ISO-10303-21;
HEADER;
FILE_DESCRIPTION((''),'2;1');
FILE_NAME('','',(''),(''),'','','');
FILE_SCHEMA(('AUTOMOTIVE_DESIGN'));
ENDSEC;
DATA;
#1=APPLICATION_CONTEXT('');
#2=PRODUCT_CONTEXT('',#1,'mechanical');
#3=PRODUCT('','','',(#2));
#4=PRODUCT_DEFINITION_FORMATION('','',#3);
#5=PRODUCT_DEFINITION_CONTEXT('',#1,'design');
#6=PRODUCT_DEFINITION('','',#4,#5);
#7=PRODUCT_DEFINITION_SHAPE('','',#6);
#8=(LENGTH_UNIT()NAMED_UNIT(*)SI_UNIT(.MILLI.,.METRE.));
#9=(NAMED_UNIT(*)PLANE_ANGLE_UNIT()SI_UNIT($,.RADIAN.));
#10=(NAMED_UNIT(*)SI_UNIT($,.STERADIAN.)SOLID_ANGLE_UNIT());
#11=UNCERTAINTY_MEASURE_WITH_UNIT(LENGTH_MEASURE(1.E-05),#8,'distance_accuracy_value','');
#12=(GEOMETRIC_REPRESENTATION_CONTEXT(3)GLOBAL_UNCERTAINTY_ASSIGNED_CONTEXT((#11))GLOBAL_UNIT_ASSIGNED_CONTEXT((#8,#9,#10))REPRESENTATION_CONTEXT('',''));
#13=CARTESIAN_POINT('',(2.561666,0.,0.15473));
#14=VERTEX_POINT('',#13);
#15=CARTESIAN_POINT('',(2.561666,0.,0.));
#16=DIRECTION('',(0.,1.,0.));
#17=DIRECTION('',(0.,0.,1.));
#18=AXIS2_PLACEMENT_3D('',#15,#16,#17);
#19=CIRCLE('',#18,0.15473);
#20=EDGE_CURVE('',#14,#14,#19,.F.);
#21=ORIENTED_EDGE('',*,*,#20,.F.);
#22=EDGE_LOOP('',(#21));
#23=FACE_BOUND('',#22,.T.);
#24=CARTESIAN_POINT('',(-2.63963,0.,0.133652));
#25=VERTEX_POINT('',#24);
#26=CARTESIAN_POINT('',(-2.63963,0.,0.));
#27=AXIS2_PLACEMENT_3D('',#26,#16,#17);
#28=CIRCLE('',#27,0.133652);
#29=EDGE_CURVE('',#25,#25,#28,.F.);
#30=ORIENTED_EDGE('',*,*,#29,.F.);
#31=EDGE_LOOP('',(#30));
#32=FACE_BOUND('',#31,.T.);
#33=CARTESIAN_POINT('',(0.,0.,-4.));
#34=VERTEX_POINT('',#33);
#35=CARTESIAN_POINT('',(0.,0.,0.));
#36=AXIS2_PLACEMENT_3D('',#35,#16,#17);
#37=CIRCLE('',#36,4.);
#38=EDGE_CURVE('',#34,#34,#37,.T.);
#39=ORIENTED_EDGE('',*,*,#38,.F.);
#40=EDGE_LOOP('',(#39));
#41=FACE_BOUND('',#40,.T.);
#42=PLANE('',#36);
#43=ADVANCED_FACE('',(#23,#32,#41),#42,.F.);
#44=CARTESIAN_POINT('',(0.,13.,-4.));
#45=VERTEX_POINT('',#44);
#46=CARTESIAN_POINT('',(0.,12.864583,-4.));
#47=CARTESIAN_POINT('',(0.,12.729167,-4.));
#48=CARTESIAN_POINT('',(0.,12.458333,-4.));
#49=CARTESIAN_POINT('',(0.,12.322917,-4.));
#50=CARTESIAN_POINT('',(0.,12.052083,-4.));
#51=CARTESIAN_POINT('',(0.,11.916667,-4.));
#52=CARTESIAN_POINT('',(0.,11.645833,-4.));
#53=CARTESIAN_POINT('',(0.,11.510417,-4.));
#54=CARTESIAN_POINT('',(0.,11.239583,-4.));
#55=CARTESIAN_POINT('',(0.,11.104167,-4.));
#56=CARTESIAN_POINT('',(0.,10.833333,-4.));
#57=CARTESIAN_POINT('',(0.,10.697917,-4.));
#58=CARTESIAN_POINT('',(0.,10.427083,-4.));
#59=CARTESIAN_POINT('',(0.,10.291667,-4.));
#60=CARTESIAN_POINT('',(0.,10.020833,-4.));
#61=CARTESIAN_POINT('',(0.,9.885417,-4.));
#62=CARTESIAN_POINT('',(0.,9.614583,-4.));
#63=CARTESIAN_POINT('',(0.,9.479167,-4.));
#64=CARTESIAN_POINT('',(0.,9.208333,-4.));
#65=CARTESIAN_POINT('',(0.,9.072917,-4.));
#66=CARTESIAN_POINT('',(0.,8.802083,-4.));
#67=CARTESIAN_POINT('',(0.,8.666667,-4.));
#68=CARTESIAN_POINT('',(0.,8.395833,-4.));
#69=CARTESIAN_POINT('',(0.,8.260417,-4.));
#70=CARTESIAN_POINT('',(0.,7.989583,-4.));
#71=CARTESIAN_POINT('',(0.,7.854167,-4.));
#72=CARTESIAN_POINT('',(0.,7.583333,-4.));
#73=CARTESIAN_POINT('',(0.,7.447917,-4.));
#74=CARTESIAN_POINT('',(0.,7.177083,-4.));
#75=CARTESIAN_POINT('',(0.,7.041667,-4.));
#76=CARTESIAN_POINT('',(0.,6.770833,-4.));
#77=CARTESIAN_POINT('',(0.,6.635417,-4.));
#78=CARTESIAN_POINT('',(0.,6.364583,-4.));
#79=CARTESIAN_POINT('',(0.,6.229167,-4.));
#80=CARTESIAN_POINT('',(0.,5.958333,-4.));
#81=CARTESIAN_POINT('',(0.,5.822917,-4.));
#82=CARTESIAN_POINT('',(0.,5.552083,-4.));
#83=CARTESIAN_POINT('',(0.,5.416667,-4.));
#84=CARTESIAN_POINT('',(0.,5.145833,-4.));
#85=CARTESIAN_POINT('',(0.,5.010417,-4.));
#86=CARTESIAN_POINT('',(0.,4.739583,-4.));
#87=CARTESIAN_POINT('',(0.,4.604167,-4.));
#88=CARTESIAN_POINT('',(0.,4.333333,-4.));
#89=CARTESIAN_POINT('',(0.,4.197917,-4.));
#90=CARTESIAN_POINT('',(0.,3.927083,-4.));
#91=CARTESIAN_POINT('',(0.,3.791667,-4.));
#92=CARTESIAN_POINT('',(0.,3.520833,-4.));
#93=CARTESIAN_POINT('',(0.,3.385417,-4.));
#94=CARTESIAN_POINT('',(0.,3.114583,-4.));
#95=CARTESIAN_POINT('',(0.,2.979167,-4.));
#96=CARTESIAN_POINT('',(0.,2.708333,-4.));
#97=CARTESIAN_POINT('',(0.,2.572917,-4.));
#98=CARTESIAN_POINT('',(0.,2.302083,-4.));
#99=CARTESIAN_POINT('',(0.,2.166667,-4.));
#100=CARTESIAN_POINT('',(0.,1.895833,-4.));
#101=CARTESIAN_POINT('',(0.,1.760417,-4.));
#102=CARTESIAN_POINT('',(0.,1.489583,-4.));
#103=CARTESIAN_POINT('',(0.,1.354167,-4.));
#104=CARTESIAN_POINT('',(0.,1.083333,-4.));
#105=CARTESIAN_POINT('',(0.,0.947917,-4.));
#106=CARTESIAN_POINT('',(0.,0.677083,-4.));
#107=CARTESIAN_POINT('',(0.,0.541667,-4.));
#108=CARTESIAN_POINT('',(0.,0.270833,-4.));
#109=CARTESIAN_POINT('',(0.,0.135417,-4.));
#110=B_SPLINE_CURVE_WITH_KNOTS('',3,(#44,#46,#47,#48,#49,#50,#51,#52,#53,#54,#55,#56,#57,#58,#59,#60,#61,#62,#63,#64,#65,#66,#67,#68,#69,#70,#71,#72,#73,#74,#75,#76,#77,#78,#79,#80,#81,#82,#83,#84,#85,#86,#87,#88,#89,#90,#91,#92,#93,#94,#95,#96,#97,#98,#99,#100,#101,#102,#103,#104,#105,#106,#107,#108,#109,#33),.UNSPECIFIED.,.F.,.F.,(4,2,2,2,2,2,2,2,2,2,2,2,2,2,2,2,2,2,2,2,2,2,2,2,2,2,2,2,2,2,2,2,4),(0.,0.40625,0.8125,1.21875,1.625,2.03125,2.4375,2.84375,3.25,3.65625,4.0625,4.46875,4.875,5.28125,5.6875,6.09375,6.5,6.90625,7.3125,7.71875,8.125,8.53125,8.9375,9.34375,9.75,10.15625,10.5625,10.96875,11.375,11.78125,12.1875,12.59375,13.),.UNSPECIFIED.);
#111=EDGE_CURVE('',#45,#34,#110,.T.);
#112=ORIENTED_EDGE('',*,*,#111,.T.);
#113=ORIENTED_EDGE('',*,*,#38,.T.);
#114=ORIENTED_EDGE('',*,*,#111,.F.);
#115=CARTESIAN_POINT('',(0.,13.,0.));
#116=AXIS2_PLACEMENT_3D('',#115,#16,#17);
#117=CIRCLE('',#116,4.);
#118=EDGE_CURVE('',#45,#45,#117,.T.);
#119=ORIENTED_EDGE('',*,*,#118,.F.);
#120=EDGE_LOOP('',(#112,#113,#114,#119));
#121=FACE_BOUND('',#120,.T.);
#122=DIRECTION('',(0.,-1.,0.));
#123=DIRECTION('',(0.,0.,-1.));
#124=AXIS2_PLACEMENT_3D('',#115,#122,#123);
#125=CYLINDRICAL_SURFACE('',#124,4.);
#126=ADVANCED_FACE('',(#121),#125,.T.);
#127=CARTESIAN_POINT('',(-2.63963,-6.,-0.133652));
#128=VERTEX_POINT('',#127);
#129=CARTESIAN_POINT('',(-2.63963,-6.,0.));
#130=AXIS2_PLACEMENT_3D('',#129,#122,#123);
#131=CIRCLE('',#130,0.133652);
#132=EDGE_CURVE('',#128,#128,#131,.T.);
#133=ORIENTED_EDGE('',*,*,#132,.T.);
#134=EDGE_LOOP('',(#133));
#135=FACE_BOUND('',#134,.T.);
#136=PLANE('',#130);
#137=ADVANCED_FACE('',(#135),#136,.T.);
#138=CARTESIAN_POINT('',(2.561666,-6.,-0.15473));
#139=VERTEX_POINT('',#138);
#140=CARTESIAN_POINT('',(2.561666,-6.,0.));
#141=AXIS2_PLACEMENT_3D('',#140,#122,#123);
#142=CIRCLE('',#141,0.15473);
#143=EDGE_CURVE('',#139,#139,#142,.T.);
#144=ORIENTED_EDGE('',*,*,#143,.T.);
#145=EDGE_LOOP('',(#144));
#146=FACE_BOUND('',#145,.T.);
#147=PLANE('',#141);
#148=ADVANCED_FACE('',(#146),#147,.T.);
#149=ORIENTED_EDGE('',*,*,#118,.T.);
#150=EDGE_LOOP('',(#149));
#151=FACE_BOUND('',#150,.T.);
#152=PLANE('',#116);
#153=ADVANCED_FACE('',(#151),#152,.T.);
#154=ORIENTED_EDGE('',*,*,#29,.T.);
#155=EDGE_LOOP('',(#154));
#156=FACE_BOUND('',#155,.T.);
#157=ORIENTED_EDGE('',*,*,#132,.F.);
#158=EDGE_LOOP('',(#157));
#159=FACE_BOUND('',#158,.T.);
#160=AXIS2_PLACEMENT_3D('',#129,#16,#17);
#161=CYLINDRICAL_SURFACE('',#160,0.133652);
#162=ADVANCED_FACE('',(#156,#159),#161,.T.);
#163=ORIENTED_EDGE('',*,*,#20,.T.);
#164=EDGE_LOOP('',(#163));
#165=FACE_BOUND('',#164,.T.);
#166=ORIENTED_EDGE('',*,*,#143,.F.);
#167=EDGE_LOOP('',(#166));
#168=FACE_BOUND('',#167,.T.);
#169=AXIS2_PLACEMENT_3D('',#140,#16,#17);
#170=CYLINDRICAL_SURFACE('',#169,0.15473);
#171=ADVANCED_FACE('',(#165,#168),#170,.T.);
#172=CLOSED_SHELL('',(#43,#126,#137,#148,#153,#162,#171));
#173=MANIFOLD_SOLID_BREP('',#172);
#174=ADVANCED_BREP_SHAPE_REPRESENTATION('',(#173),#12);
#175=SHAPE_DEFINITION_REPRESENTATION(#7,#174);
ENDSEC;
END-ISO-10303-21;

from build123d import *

# Parameters (mm, degrees)
SKETCH1_R           = 4
BOSS_EXTRUDE1_DEPTH = 13
SKETCH2_R           = 0.133652149
SKETCH2_R_2         = 0.154729583
BOSS_EXTRUDE2_DEPTH = 6


with BuildPart() as part:
    # Sketch1 → Boss-Extrude1 (new body)
    with BuildSketch(Plane(origin=(0, 0, 0), x_dir=(1, 0, 0), z_dir=(0, 1, 0))):
        with Locations(Location((0, 0, 0), (0, 0, 90))):
            Circle(SKETCH1_R)
    extrude(amount=BOSS_EXTRUDE1_DEPTH)

    # Sketch2 → Boss-Extrude2 (add)
    with BuildSketch(Plane.XZ):
        with Locations(Location((-2.639629951, 0, 0), (0, 0, 90))):
            Circle(SKETCH2_R)
        with Locations(Location((2.561666197, 0, 0), (0, 0, 90))):
            Circle(SKETCH2_R_2)
    extrude(amount=BOSS_EXTRUDE2_DEPTH)


solid = part.part
